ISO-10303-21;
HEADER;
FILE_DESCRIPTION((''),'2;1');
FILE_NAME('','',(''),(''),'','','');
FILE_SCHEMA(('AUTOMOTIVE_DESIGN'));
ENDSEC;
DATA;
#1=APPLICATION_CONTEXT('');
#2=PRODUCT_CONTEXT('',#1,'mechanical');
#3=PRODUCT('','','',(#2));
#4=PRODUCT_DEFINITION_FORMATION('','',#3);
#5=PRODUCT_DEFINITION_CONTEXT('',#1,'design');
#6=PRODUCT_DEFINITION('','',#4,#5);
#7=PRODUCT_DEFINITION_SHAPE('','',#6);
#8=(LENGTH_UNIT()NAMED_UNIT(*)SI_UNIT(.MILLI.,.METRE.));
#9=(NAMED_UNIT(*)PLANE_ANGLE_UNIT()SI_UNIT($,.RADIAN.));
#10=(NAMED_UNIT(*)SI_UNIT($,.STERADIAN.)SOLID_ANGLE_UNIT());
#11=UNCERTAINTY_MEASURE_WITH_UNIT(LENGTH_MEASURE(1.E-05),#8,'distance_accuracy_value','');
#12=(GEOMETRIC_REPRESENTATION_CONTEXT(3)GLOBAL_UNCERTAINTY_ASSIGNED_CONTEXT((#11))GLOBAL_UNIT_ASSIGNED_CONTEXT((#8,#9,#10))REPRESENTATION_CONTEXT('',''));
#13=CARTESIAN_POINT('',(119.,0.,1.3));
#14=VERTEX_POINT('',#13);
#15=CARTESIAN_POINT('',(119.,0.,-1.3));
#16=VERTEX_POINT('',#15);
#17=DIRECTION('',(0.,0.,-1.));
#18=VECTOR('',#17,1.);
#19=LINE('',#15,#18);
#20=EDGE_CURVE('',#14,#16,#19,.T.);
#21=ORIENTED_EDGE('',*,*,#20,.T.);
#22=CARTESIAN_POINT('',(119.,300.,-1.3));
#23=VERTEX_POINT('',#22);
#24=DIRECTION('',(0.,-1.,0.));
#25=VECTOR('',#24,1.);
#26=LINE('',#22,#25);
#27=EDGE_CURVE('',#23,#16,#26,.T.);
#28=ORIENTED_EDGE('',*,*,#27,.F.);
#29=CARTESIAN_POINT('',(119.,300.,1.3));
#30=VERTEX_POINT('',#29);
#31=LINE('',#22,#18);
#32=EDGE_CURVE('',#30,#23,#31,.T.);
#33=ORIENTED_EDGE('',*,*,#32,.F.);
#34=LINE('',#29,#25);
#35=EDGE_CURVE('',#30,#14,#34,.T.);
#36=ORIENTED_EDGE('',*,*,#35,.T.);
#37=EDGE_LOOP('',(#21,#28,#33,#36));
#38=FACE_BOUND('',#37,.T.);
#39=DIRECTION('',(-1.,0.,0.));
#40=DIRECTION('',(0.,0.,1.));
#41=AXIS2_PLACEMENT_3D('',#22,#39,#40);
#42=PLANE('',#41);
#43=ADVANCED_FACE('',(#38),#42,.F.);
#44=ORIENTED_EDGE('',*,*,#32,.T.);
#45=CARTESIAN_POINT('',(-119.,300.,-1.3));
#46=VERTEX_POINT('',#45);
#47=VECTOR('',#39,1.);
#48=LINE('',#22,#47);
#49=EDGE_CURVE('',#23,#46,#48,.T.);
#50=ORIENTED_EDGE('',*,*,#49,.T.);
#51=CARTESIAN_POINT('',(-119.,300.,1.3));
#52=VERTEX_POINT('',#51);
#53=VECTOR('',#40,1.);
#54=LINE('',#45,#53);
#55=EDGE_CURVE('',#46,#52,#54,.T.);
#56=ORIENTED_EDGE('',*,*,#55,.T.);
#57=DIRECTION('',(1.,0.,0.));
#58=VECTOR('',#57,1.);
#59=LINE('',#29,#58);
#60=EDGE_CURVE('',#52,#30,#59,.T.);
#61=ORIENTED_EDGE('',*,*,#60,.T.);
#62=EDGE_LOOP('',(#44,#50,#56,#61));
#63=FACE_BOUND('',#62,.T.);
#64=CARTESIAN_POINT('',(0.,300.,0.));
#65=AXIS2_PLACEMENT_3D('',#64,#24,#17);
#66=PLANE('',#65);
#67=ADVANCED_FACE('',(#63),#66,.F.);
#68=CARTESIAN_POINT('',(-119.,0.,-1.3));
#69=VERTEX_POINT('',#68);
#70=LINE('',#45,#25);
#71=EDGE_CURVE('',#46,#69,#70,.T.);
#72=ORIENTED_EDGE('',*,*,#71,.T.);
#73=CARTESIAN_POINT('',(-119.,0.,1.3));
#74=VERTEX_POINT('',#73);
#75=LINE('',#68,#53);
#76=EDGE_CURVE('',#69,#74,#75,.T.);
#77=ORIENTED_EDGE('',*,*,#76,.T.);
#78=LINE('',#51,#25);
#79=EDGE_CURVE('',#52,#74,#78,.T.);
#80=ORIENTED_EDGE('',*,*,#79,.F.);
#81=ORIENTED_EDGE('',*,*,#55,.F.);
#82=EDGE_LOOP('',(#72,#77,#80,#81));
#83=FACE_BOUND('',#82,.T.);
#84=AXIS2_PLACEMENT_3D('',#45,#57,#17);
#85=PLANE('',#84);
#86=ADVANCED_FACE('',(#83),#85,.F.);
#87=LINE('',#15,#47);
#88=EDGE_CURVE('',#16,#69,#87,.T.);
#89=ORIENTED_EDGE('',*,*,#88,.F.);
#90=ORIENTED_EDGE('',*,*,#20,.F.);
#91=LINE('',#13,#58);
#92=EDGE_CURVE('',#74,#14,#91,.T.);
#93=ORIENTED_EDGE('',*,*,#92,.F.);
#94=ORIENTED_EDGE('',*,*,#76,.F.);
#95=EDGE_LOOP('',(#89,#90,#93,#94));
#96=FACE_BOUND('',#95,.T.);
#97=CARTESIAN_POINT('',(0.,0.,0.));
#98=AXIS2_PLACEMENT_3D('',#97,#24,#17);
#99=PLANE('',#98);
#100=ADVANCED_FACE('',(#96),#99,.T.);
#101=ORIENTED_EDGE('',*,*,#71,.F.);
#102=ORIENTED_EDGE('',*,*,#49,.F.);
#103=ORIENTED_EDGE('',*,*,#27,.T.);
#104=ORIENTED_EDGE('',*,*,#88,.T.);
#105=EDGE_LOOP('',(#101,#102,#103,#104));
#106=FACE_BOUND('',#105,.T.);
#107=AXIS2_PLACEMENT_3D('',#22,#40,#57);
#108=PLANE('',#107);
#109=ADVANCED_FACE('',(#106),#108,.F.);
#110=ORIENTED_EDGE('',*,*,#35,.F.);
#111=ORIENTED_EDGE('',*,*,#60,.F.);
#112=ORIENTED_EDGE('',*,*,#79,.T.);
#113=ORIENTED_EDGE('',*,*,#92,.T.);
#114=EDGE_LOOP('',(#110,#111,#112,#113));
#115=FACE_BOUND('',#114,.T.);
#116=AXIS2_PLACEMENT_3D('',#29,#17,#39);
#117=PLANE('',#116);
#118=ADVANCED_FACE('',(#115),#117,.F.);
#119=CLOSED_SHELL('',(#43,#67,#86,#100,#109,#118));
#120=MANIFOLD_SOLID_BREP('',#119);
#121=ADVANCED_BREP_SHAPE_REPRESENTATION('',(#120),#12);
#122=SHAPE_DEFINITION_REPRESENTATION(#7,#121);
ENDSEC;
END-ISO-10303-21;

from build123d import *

# Parameters (mm, degrees)
CROQUIS1_W              = 238
CROQUIS1_H              = 2.6
SALIENTE_EXTRUIR1_DEPTH = 300


with BuildPart() as part:
    # Croquis1 → Saliente-Extruir1 (new body)
    with BuildSketch(Plane(origin=(0, 0, 0), x_dir=(1, 0, 0), z_dir=(0, 1, 0))):
        Rectangle(CROQUIS1_W, CROQUIS1_H)
    extrude(amount=SALIENTE_EXTRUIR1_DEPTH)


solid = part.part
